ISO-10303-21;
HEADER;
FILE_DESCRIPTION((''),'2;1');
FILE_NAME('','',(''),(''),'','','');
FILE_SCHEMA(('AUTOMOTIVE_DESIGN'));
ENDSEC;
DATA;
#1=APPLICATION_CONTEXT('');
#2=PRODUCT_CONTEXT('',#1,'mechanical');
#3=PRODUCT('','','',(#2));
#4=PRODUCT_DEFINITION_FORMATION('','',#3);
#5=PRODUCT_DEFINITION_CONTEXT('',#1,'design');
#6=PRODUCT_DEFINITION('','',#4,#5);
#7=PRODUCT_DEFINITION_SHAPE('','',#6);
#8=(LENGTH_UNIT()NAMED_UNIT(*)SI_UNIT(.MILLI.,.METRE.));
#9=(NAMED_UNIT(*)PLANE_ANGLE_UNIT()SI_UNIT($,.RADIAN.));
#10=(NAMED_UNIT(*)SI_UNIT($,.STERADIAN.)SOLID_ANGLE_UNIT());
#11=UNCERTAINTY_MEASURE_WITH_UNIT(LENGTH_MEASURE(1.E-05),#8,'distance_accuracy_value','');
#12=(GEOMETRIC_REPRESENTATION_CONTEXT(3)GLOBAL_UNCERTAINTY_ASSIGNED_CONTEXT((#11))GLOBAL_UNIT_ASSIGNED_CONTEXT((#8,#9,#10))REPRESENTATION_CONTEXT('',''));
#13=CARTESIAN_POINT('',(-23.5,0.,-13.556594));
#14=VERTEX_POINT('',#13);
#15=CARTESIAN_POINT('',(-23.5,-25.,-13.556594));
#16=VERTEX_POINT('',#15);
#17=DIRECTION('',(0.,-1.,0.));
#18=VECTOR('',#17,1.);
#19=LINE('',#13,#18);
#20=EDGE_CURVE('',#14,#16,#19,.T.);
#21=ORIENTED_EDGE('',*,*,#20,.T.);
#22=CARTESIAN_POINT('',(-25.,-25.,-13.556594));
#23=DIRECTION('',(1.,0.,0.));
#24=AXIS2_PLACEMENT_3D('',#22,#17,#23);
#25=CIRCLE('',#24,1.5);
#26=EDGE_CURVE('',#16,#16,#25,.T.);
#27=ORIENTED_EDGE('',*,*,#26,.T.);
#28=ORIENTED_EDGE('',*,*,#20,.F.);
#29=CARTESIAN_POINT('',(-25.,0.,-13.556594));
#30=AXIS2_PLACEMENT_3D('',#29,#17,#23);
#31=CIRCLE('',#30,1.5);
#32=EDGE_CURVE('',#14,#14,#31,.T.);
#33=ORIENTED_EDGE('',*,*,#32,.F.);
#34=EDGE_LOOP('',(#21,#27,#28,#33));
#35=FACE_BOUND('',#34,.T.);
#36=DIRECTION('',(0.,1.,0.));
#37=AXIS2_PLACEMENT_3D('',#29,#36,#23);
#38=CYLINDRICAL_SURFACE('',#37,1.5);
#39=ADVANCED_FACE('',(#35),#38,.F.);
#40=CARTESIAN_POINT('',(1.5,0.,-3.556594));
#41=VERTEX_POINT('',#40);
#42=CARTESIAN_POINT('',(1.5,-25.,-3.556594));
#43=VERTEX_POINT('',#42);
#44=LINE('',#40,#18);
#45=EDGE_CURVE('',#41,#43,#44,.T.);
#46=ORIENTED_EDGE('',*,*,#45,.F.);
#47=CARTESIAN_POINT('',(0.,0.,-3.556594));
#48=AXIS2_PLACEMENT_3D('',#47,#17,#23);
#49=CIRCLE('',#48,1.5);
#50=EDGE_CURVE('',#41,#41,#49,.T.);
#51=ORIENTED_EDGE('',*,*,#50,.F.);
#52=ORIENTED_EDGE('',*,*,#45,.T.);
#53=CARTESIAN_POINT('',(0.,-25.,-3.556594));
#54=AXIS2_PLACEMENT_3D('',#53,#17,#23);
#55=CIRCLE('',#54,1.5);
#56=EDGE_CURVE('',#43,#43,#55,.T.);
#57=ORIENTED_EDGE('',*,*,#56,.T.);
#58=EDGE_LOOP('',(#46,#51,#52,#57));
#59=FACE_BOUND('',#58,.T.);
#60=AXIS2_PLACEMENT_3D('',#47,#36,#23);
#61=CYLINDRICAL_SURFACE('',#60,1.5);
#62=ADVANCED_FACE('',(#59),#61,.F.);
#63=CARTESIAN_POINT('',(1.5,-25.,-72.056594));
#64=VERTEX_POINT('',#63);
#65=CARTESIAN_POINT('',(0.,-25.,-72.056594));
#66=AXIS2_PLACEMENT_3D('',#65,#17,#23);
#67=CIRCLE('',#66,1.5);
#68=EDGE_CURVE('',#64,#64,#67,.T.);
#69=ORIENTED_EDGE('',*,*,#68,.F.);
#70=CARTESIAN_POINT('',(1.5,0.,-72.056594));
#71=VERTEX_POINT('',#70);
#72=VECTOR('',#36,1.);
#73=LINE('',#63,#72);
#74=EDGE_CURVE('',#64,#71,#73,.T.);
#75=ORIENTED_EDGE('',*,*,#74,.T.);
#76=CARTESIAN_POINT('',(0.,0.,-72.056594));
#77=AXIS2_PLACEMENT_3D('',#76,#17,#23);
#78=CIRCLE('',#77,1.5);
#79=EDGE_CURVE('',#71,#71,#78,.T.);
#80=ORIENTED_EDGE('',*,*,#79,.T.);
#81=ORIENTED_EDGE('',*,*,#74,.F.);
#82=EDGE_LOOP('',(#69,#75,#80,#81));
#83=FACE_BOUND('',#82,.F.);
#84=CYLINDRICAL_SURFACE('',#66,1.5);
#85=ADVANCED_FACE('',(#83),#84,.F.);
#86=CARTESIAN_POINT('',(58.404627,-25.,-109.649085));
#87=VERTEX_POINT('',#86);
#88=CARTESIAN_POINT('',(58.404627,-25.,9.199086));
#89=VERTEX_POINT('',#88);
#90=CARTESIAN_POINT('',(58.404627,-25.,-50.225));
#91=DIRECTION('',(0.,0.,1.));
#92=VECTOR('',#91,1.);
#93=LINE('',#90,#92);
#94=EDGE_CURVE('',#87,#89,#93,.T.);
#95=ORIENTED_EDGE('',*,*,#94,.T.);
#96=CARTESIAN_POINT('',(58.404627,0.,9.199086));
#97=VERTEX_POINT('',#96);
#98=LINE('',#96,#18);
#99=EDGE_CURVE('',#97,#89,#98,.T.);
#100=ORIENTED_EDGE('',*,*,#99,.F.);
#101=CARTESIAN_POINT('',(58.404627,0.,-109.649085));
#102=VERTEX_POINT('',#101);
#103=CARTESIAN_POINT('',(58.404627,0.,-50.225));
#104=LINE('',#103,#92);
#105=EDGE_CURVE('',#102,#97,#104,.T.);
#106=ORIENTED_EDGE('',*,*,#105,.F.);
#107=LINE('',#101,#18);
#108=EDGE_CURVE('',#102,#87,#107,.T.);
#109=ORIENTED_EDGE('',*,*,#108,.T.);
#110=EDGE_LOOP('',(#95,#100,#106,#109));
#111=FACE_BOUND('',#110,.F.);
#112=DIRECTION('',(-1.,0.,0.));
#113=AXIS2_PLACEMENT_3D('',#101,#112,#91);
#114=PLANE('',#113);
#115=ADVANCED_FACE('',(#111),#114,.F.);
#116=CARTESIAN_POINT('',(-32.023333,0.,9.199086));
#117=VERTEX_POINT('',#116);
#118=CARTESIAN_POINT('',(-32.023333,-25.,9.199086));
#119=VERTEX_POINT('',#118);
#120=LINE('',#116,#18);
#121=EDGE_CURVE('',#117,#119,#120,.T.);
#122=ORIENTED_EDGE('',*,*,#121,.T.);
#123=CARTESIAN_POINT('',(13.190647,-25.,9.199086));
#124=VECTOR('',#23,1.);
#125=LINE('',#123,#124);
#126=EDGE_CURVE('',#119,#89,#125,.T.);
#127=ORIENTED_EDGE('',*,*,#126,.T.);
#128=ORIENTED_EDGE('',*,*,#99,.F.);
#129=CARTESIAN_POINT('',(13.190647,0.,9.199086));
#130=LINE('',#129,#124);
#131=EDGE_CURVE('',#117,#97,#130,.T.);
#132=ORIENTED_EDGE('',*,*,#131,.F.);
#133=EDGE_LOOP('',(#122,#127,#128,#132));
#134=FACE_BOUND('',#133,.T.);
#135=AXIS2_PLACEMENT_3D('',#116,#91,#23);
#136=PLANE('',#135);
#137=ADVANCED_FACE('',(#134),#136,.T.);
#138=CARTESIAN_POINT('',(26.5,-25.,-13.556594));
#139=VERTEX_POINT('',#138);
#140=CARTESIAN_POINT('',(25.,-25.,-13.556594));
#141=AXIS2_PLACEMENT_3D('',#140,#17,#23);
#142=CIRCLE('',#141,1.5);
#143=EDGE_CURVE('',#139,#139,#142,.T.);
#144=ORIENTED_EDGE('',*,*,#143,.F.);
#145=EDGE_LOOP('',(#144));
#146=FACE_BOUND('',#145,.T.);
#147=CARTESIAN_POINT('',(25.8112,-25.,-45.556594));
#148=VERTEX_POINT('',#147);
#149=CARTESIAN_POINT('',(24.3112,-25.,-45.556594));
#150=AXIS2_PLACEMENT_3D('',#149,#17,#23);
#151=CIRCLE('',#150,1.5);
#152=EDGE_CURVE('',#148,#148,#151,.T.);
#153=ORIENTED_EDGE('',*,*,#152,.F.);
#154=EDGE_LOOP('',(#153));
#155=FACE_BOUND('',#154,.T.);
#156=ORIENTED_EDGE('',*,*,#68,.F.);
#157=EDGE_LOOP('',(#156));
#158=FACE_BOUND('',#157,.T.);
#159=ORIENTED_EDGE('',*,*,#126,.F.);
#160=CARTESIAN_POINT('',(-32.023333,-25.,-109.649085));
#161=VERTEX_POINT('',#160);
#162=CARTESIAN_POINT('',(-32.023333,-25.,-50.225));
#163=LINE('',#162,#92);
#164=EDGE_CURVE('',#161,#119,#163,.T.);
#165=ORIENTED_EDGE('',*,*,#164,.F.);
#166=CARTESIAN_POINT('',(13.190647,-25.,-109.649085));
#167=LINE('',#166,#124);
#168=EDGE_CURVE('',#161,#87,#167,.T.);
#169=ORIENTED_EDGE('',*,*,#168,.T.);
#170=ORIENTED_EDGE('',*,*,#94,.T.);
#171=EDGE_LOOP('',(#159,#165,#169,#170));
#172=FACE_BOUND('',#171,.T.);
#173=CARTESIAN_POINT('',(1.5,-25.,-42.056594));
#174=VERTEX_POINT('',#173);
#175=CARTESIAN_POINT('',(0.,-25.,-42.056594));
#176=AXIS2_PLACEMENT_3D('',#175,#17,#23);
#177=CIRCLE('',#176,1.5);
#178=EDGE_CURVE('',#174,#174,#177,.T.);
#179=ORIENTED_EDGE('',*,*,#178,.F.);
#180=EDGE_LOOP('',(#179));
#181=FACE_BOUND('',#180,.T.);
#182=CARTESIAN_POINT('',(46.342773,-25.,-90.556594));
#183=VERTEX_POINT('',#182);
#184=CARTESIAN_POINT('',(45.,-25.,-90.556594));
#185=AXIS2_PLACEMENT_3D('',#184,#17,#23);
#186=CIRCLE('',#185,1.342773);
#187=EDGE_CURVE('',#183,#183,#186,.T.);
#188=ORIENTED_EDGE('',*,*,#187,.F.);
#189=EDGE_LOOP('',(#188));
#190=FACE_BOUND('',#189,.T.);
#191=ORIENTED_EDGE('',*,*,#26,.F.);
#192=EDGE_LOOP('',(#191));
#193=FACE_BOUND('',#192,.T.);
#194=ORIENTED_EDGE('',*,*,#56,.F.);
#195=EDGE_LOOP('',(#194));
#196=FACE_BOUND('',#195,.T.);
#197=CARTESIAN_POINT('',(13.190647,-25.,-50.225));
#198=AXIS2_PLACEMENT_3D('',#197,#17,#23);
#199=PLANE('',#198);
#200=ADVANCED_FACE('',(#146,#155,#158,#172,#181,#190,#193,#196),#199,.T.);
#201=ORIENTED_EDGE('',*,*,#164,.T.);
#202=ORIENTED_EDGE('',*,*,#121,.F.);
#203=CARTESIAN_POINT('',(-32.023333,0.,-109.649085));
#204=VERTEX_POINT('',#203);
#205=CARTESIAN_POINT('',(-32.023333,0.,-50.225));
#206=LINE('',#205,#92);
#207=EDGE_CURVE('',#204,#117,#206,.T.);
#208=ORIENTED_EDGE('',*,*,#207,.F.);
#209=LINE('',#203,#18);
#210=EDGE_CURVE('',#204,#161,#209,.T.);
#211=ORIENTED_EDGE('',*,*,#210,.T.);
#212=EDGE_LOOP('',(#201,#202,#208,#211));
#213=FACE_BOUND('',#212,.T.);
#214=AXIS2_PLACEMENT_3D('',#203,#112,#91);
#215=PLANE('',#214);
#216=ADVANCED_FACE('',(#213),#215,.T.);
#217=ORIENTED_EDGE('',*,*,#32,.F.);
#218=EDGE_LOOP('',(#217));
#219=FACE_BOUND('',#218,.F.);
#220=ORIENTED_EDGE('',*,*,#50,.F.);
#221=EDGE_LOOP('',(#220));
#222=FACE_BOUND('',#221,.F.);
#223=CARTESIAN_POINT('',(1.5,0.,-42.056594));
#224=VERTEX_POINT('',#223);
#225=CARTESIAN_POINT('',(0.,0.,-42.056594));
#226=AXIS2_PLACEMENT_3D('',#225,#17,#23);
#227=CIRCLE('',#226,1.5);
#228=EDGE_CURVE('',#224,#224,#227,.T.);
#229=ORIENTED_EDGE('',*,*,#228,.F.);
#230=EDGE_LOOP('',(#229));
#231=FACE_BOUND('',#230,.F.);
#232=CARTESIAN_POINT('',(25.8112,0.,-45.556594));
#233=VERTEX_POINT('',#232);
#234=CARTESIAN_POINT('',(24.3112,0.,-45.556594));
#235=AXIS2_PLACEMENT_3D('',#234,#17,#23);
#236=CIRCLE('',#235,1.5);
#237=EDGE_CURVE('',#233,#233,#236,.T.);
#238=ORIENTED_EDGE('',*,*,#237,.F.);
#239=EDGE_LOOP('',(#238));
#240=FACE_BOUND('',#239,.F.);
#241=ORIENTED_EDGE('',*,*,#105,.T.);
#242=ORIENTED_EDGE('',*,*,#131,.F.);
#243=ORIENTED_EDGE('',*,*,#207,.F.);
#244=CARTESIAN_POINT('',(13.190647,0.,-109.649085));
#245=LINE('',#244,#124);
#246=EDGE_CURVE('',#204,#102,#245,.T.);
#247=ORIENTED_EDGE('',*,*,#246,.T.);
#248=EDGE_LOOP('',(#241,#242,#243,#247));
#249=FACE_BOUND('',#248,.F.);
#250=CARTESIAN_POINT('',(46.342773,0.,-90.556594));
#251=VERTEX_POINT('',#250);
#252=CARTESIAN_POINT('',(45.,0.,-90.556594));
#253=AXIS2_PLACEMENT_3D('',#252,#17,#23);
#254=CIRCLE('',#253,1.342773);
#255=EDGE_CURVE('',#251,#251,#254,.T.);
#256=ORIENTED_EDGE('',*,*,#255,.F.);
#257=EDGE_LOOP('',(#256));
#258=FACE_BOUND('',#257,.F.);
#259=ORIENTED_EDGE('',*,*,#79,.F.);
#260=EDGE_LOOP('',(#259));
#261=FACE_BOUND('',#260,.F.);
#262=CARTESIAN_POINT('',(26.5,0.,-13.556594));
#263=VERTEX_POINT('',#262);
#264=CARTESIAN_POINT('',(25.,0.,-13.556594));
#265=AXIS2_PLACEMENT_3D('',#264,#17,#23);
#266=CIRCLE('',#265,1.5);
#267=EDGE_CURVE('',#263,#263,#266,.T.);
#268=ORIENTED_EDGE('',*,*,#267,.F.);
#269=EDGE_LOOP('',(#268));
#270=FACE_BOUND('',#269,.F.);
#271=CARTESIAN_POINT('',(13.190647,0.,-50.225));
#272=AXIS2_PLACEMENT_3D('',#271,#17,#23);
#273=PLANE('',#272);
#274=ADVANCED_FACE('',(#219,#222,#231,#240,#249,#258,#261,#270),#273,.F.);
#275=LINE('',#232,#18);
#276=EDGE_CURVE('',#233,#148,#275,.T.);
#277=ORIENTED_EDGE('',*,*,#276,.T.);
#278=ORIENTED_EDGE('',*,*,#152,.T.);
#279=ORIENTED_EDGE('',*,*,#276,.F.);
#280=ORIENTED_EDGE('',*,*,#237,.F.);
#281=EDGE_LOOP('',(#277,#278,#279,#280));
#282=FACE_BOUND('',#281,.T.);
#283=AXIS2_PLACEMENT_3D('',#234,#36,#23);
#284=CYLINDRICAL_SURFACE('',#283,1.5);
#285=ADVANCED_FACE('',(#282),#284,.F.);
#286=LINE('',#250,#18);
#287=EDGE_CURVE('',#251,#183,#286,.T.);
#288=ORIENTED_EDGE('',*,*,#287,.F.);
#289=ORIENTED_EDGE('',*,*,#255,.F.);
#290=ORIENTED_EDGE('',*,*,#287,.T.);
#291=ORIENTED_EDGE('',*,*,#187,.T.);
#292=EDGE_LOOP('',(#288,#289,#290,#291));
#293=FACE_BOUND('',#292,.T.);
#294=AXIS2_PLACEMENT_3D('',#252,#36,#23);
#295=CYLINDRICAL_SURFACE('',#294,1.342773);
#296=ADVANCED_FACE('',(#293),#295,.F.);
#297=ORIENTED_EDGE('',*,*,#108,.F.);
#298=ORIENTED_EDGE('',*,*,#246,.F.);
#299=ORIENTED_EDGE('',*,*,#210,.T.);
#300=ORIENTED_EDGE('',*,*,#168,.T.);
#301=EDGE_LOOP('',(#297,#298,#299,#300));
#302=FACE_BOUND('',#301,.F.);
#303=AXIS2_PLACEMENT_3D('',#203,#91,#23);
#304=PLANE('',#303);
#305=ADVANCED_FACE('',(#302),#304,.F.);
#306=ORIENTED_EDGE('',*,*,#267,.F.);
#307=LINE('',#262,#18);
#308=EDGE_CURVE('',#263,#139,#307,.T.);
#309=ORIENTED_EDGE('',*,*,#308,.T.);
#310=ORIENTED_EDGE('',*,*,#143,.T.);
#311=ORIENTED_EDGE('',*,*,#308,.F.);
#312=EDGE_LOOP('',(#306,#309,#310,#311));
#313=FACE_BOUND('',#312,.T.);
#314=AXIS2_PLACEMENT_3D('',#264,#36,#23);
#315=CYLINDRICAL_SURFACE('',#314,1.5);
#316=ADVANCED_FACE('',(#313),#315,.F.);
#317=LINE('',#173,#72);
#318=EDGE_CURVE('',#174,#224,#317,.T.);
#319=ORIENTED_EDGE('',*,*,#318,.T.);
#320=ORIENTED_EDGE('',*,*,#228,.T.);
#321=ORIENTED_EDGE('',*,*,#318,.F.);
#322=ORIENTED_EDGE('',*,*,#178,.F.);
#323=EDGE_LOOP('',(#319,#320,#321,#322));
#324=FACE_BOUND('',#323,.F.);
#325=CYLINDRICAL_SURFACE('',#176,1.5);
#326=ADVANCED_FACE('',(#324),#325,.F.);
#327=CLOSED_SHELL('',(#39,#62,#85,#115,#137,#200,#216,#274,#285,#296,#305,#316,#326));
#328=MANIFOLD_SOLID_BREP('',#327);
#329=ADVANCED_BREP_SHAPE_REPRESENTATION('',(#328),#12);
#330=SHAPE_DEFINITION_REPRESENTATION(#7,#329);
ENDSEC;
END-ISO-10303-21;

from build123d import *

# Parameters (mm, degrees)
F0_W     = 90.427961
F0_H     = 118.848171
F0_R     = 1.342773
F0_R_2   = 1.5
F1_DEPTH = 25
F2_R     = 1.5
F3_DEPTH = 25


with BuildPart() as f1:
    # F0 (on Front) → F1 (new body)
    with BuildSketch(Plane.XZ):
        with Locations((13.190647, -50.225)):
            Rectangle(F0_W, F0_H)
        with Locations((45, -90.556594)):
            Circle(F0_R, mode=Mode.SUBTRACT)
        with Locations((-25, -13.556594)):
            Circle(F0_R_2, mode=Mode.SUBTRACT)
        with Locations((0, -3.556594)):
            Circle(F0_R_2, mode=Mode.SUBTRACT)
        with Locations((24.3112, -45.556594)):
            Circle(F0_R_2, mode=Mode.SUBTRACT)
        with Locations((25, -13.556594)):
            Circle(F0_R_2, mode=Mode.SUBTRACT)
    extrude(amount=F1_DEPTH)

    # F2 (on face) → F3 (cut)
    with BuildSketch(Plane.XZ.offset(25)):
        with Locations((0, -42.056594)):
            Circle(F2_R)
        with Locations((0, -72.056594)):
            Circle(F2_R)
    extrude(amount=-F3_DEPTH, mode=Mode.SUBTRACT)


solid = f1.part
